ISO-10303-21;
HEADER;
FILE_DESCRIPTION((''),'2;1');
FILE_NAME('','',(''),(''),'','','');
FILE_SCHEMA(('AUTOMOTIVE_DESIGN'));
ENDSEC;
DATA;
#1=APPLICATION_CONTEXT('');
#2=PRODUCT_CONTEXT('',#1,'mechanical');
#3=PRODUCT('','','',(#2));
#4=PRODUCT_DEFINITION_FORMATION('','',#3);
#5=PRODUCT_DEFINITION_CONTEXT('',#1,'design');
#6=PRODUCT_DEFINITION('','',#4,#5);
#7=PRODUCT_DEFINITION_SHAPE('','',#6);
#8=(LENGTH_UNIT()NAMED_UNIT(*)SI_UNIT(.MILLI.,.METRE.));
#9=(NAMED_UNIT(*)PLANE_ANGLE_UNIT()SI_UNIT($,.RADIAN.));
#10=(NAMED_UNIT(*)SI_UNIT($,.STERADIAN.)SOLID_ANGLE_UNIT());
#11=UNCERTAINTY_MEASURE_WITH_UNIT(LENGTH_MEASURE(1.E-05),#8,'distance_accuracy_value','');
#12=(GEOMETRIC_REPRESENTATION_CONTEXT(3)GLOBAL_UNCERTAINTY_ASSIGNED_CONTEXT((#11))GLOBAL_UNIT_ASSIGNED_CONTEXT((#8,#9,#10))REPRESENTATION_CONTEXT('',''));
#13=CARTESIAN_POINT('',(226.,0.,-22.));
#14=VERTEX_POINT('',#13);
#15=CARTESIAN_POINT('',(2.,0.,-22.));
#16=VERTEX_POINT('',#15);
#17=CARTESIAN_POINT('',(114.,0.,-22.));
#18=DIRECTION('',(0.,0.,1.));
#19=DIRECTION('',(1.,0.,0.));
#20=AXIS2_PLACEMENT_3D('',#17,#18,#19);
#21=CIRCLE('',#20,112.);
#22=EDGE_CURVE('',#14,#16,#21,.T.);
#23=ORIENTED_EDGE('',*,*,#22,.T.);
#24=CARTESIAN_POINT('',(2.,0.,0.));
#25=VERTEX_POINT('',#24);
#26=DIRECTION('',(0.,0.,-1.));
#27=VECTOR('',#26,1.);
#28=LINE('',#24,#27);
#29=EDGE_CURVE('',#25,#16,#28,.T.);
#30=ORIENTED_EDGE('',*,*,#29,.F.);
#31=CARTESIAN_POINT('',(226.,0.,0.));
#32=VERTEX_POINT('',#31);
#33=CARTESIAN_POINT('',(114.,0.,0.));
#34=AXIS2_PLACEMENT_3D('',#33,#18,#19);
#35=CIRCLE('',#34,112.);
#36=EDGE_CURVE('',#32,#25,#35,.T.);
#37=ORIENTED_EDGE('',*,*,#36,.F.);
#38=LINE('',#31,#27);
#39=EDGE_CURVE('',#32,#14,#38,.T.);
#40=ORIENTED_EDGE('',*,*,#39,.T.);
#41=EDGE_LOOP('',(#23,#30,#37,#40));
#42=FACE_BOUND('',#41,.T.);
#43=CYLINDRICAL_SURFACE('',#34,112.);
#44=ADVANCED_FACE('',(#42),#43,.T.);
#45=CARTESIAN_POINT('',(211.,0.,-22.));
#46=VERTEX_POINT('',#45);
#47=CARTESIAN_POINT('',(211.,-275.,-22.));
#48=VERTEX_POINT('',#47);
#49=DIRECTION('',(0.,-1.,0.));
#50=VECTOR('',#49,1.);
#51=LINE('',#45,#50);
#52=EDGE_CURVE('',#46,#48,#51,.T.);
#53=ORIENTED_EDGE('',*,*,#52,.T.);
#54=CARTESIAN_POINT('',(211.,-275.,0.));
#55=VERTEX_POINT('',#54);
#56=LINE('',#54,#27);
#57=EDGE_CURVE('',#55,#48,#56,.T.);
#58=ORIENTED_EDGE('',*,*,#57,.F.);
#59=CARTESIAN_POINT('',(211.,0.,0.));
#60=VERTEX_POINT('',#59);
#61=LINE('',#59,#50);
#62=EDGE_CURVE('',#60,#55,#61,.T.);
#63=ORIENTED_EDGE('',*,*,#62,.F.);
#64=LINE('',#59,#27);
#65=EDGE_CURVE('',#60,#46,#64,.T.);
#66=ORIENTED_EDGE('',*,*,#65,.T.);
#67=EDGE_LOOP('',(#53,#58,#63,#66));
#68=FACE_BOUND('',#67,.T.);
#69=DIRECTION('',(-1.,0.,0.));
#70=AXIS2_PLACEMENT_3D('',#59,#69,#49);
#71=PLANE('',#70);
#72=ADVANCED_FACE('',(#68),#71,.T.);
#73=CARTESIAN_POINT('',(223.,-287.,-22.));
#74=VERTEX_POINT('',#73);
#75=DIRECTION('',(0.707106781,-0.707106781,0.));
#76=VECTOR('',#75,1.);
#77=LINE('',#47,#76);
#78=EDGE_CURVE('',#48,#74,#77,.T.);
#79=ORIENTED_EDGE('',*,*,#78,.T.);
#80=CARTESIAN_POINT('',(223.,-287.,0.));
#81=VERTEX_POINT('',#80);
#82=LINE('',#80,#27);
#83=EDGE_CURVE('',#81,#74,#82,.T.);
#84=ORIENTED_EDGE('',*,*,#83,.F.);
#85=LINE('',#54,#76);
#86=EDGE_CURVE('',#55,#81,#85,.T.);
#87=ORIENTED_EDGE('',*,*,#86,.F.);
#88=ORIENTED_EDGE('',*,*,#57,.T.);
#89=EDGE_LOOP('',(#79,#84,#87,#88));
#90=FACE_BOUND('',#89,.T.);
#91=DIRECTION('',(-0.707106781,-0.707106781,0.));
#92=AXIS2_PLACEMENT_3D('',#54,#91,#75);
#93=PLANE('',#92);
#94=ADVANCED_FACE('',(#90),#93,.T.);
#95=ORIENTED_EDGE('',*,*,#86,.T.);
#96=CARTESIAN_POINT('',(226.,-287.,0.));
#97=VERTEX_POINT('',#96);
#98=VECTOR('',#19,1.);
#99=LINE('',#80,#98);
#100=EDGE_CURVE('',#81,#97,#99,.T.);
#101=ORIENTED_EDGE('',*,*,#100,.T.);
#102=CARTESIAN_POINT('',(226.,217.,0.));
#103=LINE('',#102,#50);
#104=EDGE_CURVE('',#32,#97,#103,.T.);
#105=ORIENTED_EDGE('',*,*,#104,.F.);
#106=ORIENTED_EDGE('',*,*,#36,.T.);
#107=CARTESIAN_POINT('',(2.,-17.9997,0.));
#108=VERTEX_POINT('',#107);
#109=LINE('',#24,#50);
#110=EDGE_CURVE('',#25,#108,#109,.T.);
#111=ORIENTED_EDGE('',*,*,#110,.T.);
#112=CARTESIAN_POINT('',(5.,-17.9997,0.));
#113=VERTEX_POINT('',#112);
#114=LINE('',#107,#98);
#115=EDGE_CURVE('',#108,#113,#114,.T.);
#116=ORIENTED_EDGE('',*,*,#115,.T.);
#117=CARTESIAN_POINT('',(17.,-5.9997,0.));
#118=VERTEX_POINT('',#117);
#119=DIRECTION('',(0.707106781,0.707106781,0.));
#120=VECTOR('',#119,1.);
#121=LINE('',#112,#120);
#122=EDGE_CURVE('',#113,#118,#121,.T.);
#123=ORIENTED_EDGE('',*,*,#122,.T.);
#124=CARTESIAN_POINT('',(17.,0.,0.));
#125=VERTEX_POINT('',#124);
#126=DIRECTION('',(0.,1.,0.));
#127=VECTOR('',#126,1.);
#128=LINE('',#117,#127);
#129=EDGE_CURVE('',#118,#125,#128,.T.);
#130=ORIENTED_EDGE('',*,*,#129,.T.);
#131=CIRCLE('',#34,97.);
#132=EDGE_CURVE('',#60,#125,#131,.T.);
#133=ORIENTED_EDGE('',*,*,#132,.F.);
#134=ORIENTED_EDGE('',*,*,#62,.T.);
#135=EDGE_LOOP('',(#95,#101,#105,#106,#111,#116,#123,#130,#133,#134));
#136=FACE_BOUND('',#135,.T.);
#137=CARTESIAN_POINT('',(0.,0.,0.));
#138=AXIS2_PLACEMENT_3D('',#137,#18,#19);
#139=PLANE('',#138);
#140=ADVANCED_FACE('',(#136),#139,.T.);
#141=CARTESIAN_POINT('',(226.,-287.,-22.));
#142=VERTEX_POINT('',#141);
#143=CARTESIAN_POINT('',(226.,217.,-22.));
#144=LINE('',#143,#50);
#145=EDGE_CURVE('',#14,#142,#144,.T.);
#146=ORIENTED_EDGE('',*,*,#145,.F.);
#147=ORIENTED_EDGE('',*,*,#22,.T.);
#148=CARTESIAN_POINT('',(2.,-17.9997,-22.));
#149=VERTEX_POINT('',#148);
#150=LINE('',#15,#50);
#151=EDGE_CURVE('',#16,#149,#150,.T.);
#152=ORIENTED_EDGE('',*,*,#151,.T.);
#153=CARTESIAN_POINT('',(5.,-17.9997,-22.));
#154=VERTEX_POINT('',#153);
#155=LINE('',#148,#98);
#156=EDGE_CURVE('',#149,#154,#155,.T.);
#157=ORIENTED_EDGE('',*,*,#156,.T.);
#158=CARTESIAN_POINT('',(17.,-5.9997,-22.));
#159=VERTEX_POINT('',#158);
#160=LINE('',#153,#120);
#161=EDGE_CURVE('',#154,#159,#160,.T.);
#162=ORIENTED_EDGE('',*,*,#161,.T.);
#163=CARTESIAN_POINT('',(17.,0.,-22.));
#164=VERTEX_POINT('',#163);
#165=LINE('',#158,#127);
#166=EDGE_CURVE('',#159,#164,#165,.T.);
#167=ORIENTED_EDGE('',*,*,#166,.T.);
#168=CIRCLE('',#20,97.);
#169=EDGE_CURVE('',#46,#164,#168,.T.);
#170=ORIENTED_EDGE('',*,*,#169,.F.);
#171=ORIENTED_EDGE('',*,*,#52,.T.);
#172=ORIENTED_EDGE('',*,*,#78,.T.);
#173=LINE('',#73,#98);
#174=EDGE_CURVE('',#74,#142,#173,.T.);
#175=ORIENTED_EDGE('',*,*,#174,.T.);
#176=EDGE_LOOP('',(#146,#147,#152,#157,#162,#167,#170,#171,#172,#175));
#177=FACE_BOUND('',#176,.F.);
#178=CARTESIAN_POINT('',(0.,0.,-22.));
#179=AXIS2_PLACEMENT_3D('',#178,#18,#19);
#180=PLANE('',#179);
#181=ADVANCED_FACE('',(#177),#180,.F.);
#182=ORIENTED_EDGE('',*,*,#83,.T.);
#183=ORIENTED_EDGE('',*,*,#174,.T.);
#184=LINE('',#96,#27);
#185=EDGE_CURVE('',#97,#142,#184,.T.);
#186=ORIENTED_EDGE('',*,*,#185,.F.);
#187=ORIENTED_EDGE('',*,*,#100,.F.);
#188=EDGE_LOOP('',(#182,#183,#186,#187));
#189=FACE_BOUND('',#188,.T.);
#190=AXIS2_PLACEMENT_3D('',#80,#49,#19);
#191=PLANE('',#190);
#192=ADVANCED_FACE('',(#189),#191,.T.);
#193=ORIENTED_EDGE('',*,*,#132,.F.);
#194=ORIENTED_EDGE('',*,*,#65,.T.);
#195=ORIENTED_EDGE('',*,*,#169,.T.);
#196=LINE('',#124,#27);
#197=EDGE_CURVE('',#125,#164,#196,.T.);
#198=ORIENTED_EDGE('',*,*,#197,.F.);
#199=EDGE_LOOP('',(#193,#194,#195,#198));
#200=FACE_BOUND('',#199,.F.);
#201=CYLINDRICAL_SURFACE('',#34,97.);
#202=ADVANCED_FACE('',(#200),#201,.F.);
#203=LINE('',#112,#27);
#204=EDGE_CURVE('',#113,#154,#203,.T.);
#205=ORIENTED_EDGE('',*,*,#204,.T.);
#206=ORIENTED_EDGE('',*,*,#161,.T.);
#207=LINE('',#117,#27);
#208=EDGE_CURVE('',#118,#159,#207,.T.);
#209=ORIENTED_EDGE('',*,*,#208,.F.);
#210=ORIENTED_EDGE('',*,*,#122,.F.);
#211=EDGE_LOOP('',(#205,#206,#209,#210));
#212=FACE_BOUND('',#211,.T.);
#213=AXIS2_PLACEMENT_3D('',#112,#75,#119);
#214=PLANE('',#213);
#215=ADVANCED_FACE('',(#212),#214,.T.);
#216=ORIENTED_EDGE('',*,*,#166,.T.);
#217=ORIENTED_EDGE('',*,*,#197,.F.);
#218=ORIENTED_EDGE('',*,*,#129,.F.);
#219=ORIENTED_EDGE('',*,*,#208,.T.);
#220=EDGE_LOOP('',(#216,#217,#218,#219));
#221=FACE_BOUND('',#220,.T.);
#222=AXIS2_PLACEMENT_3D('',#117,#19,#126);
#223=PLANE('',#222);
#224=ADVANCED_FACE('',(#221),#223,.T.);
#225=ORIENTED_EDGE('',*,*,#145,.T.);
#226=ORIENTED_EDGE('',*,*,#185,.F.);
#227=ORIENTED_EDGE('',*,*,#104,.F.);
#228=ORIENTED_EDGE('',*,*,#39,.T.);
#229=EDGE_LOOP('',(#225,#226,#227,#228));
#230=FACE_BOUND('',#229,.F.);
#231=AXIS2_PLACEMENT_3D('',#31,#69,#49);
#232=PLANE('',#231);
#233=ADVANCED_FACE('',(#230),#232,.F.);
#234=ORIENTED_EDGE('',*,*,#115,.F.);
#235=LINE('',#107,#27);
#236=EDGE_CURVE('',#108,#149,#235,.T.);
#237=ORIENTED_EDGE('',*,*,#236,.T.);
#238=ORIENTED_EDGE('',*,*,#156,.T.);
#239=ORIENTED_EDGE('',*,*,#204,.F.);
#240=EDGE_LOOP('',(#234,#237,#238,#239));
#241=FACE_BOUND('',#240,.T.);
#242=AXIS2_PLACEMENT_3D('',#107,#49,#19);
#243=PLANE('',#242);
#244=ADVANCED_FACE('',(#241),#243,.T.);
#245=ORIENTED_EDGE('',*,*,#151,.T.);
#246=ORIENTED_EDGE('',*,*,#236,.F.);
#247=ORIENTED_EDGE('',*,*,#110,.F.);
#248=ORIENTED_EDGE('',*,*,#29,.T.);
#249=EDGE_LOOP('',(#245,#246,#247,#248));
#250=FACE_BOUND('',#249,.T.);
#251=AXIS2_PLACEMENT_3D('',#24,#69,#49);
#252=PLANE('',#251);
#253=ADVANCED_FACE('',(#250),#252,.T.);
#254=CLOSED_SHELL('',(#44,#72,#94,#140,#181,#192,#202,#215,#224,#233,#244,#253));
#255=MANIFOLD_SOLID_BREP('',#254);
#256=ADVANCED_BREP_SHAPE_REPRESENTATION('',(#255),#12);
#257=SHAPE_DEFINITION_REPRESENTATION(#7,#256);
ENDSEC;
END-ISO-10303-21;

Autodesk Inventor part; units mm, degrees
ref_plane "YZ Plane" through (0, 0, 0) normal (1, 0, 0) x (0, 1, 0)
ref_plane "XZ Plane" through (0, 0, 0) normal (0, 1, 0) x (-1, 0, 0)
ref_plane "XY Plane" through (0, 0, 0) normal (0, 0, 1) x (1, 0, 0)
sketch "Sketch1" plane through (0, 0, 0) normal (0, 0, 1) x (1, 0, 0)
  line L0 (2, 0) -> (2, -17.9997) projected
  line L1 (226, 217) -> (226, -317) projected
  arc A0 (226, 0) -> (2, 0) centre (114, 0) ccw
  line L2 (2, -17.9997) -> (5, -17.9997)
  line L3 (5, -17.9997) -> (17, -5.9997)
  line L4 (17, -5.9997) -> (17, 0)
  line L5 (211, 0) -> (211, -275)
  line L6 (211, -275) -> (223, -287)
  line L7 (223, -287) -> (226, -287)
  arc A1 (211, 0) -> (17, 0) centre (114, 0) ccw
  point P0 (0, 0)
  point P1 (114, 112)
  point P2 (114, 97)
  dimension "d0" = 15
  dimension "d1" = 45
  dimension "d2" = 3
  dimension "d3" = 15
  dimension "d4" = 45
  dimension "d5" = 30
  dimension "d6" = 15
extrude "Extrusion1" add sketch "Sketch1" against normal blind 22
equation "\"d3\" = d0"
equation "\"d4\" = d1"
equation "\"d6\" = d0"
properties part number "Drag Chain Dummy" material "ABS Plastic"
